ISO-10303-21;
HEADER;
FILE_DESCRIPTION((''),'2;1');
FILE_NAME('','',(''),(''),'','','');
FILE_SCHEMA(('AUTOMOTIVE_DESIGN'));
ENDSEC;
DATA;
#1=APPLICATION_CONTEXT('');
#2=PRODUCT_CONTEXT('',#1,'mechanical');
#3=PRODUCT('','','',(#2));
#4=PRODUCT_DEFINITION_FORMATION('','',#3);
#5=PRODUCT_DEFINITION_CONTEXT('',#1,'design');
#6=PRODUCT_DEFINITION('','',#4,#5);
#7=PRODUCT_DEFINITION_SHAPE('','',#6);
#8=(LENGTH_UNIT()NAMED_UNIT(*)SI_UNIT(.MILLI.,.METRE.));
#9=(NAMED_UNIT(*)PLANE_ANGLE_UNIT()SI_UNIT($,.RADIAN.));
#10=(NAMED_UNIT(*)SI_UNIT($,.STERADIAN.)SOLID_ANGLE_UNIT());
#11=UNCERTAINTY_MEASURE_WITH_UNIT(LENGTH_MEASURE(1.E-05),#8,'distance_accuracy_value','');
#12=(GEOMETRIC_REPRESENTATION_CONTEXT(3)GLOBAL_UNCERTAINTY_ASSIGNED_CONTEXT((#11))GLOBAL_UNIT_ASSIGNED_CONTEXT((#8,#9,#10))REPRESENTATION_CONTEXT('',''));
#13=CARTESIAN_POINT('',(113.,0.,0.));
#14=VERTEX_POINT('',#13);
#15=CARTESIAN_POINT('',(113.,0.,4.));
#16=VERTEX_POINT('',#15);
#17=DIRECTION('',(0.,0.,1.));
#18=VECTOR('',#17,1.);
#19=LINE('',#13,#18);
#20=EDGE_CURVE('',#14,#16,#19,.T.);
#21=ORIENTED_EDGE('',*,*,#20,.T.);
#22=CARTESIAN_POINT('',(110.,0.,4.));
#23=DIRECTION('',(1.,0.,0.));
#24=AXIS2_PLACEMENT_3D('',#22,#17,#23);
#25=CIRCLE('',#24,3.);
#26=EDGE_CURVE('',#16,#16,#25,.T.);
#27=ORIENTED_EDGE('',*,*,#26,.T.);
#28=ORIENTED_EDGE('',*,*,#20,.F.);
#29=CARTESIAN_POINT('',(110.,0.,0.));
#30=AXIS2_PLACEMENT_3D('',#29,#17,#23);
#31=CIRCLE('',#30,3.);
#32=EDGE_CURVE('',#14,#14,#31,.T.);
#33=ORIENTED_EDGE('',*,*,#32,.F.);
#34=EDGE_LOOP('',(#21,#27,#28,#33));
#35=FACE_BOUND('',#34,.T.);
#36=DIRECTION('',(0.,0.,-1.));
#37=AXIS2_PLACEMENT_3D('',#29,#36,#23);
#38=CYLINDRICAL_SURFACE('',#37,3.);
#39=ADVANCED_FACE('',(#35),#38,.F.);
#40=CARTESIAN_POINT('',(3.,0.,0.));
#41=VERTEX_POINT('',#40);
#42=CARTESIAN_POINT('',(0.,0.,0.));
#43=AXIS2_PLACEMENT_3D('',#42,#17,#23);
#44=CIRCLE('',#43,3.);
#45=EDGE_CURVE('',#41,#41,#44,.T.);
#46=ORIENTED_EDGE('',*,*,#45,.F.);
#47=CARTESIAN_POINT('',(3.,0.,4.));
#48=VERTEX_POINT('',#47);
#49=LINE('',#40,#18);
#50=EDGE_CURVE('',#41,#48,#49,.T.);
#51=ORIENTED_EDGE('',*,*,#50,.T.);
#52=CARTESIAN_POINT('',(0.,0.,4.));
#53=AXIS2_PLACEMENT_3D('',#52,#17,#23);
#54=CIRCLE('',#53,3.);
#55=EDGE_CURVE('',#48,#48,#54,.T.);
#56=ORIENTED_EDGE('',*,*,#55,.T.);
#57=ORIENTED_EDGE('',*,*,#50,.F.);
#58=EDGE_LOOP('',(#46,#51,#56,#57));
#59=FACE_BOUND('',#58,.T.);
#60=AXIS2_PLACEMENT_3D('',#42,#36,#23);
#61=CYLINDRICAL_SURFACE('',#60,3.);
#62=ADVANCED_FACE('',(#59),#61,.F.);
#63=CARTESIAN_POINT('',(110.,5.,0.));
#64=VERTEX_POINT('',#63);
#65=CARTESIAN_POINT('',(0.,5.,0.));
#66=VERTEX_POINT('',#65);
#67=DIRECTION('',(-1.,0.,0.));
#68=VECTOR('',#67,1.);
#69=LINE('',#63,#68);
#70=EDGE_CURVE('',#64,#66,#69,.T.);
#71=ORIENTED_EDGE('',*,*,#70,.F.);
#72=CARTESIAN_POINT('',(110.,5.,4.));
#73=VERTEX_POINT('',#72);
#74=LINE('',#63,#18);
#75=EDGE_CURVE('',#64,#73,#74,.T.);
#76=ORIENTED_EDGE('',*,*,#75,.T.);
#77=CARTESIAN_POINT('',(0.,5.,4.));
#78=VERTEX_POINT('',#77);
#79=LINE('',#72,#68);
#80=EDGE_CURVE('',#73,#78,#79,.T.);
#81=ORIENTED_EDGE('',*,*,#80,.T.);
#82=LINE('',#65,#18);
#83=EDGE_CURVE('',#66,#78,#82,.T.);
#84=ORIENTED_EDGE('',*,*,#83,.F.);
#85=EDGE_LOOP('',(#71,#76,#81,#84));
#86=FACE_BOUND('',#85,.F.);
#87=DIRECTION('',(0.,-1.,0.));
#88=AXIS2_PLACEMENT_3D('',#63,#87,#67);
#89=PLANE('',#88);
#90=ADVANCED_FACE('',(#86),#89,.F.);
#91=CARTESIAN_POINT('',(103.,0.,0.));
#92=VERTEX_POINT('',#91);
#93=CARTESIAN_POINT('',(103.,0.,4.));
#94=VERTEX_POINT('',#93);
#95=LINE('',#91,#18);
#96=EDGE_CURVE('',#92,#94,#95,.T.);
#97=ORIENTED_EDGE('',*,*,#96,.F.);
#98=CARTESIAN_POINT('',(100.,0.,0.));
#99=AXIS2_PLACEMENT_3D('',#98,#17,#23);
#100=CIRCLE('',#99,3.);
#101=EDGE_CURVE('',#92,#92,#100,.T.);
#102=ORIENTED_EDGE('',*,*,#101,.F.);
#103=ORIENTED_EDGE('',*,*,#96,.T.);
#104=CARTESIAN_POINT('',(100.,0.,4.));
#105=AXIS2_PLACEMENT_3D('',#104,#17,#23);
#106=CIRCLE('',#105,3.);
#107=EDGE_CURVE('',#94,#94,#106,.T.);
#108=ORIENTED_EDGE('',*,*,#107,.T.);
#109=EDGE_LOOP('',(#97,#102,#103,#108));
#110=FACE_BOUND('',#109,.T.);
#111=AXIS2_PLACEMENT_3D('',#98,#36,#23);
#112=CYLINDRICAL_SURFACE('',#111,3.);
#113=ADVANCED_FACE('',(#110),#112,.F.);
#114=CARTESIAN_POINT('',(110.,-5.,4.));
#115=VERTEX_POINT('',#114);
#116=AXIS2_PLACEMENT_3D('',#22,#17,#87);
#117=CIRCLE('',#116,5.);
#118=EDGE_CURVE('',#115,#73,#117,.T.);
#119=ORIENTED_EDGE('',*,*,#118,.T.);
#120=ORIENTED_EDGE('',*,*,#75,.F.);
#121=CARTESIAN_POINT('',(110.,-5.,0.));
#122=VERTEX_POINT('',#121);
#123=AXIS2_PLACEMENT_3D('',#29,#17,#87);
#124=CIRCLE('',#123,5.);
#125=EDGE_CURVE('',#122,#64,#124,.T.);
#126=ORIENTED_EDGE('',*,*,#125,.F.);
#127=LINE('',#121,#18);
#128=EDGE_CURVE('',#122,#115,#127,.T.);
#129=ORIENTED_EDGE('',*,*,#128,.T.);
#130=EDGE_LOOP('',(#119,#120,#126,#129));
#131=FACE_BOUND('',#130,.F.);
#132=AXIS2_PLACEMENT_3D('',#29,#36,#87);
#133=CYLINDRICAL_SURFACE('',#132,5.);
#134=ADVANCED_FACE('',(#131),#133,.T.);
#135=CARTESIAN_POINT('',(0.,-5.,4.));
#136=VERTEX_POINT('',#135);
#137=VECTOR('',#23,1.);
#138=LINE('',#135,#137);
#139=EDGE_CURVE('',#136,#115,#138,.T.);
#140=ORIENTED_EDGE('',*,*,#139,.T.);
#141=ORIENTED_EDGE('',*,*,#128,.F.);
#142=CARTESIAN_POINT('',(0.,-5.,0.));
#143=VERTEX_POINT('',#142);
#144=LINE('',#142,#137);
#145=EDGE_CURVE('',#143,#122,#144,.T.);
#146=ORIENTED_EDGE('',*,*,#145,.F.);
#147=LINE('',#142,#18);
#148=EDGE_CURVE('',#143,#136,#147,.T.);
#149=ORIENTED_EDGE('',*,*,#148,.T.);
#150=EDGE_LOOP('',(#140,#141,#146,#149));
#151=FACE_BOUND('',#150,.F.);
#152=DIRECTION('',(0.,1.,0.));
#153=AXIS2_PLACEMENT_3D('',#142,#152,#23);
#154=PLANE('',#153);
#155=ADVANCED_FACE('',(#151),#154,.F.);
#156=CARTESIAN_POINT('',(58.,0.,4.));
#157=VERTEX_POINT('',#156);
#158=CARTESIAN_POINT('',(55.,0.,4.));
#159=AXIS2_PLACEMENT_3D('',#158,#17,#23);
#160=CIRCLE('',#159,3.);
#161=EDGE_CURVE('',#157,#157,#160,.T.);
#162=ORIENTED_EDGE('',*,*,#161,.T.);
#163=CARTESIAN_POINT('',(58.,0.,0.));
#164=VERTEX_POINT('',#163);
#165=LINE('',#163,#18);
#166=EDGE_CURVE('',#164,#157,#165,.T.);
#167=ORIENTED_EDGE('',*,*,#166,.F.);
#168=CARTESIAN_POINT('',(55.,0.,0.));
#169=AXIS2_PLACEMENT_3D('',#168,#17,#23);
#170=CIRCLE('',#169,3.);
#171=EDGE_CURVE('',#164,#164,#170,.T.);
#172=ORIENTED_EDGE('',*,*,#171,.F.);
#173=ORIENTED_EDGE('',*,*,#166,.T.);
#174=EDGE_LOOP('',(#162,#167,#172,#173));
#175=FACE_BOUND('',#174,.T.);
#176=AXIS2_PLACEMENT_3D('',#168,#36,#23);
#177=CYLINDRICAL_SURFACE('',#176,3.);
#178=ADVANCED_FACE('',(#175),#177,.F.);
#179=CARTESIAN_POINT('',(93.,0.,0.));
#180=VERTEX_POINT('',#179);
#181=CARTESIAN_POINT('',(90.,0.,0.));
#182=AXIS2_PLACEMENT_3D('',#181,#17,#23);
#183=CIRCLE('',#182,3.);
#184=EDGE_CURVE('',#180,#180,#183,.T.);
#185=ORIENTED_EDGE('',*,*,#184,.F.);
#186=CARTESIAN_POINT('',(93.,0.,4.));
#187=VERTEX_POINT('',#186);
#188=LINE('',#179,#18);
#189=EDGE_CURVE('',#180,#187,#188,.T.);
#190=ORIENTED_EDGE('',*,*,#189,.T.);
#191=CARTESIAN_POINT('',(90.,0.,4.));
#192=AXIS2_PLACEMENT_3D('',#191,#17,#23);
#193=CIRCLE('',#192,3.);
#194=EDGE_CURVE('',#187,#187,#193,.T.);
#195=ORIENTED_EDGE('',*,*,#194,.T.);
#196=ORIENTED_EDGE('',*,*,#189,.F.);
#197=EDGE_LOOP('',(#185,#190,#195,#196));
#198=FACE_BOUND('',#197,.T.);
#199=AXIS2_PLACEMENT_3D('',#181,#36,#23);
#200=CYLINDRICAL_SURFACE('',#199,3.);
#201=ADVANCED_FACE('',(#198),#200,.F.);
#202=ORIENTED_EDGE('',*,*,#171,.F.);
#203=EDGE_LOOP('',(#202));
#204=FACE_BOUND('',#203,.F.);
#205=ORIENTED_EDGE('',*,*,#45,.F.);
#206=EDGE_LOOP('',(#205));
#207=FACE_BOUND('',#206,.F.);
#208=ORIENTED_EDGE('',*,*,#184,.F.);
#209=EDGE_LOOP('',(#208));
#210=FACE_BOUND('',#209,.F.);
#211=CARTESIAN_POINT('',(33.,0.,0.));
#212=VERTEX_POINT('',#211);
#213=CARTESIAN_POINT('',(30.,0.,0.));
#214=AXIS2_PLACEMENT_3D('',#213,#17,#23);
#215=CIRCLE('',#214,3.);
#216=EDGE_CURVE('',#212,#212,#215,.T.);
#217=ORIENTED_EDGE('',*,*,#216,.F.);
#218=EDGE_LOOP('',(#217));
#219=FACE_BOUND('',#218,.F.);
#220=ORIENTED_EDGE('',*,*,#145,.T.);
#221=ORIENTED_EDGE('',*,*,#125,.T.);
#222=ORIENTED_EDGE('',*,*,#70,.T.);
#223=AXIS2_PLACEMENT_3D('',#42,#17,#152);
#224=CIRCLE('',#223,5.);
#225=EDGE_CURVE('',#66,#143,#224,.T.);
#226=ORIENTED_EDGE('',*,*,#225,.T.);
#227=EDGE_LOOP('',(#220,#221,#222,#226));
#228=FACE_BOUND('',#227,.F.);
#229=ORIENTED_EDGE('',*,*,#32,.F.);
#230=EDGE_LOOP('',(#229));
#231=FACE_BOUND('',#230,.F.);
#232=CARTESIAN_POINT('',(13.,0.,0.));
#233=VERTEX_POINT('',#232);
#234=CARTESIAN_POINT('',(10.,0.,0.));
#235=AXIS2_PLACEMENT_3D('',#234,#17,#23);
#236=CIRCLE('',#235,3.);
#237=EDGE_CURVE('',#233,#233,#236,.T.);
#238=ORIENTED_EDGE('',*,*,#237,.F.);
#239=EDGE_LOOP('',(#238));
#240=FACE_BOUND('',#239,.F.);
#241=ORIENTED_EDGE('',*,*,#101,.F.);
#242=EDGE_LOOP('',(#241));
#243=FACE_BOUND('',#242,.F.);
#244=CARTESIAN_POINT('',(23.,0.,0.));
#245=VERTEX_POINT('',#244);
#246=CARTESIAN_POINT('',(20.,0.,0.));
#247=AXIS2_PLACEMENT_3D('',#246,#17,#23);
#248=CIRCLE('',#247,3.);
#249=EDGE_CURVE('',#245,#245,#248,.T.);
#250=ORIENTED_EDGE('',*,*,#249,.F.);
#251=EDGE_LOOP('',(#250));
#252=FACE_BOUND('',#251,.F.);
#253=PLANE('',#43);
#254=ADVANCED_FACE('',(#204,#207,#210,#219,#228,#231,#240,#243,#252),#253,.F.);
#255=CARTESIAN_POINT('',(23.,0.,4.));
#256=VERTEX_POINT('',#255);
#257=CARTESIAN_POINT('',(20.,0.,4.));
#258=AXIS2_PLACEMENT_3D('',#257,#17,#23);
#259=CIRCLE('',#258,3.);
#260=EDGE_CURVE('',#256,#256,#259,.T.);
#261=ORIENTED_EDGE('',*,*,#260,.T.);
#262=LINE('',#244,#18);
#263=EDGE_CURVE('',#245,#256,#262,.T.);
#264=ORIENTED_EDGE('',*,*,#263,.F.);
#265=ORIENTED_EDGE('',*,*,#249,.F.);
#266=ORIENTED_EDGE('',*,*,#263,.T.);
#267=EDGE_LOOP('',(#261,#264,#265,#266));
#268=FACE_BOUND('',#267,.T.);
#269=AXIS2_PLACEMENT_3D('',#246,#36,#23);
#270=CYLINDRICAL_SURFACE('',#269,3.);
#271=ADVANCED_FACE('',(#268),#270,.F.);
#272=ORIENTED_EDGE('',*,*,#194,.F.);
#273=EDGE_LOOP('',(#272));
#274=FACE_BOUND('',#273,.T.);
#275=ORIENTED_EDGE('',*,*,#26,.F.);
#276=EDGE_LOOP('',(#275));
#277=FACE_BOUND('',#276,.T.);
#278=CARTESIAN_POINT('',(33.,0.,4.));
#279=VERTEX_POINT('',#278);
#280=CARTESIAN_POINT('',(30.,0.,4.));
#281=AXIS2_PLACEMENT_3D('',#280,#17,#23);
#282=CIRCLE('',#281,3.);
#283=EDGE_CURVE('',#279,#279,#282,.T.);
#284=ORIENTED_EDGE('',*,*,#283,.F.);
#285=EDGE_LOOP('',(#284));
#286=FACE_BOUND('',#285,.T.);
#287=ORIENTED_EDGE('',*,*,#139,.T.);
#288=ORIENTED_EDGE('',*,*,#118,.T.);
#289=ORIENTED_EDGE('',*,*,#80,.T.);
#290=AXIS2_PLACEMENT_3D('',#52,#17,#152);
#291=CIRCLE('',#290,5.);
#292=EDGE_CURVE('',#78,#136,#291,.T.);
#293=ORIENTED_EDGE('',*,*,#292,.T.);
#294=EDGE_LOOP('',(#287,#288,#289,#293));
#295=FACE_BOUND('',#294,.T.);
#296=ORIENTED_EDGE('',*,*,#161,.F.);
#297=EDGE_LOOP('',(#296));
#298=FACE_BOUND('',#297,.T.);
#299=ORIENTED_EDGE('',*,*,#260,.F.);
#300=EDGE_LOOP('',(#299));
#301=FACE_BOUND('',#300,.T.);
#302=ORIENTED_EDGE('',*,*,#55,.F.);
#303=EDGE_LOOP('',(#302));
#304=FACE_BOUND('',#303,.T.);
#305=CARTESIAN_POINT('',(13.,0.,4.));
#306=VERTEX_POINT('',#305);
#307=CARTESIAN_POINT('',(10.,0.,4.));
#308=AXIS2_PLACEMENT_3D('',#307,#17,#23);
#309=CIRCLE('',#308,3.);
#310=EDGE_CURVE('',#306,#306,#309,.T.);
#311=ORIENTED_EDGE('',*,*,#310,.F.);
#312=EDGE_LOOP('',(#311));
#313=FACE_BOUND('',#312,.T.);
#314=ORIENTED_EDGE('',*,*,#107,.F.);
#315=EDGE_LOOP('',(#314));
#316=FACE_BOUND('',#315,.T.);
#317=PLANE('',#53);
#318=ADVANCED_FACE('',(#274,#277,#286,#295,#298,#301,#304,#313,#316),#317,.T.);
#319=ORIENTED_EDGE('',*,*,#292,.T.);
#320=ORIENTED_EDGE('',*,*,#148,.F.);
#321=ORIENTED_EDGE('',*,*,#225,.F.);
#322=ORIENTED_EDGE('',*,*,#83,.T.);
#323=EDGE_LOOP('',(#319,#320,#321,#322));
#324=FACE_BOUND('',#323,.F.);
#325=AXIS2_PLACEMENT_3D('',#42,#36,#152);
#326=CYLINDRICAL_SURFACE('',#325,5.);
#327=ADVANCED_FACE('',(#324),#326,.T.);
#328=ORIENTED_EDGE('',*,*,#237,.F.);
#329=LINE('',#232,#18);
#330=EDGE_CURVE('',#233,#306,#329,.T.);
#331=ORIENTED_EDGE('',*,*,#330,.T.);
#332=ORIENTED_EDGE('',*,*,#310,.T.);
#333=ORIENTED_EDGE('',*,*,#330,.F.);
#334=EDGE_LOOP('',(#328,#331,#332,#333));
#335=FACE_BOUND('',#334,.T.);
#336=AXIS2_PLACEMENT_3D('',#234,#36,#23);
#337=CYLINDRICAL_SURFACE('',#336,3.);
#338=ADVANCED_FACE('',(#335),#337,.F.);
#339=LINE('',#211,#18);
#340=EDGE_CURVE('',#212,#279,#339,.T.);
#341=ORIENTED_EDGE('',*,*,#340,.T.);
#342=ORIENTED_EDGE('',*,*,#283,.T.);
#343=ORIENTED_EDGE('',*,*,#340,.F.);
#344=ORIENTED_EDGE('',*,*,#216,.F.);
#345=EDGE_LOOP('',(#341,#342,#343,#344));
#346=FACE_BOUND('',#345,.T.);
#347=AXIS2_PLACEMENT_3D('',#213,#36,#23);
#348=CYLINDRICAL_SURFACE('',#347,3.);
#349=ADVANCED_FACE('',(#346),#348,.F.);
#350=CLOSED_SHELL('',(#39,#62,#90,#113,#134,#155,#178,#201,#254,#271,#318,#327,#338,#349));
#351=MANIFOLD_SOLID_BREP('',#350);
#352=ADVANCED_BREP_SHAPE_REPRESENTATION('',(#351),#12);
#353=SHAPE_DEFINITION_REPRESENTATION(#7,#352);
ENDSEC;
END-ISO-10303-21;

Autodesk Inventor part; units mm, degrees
ref_plane "YZ Plane" through (0, 0, 0) normal (1, 0, 0) x (0, 1, 0)
ref_plane "XZ Plane" through (0, 0, 0) normal (0, 1, 0) x (-1, 0, 0)
ref_plane "XY Plane" through (0, 0, 0) normal (0, 0, 1) x (1, 0, 0)
sketch "Sketch1" plane through (0, 0, 0) normal (0, 0, 1) x (1, 0, 0)
  line L0 (0, 0) -> (110, 0) construction
  line L1 (0, -5) -> (110, -5)
  line L2 (110, 5) -> (0, 5)
  arc A0 (0, 5) -> (0, -5) centre (0, 0) ccw
  arc A1 (110, -5) -> (110, 5) centre (110, 0) ccw
  circle A2 centre (0, 0) radius 3
  circle A3 centre (110, 0) radius 3
  circle A4 centre (10, 0) radius 3
  circle A5 centre (100, 0) radius 3
  circle A6 centre (55, 0) radius 3
  circle A7 centre (20, 0) radius 3
  circle A8 centre (30, 0) radius 3
  circle A9 centre (90, 0) radius 3
  dimension "d0" = 110
  dimension "d1" = 10
  dimension "d2" = 6
  dimension "d3" = 6
  dimension "d4" = 6
  dimension "d5" = 6
  dimension "d6" = 6
  dimension "d7" = 6
  dimension "d8" = 6
  dimension "d9" = 6
extrude "Extrusion1" add sketch "Sketch1" along normal blind 4
properties part number "10cmlinks"
